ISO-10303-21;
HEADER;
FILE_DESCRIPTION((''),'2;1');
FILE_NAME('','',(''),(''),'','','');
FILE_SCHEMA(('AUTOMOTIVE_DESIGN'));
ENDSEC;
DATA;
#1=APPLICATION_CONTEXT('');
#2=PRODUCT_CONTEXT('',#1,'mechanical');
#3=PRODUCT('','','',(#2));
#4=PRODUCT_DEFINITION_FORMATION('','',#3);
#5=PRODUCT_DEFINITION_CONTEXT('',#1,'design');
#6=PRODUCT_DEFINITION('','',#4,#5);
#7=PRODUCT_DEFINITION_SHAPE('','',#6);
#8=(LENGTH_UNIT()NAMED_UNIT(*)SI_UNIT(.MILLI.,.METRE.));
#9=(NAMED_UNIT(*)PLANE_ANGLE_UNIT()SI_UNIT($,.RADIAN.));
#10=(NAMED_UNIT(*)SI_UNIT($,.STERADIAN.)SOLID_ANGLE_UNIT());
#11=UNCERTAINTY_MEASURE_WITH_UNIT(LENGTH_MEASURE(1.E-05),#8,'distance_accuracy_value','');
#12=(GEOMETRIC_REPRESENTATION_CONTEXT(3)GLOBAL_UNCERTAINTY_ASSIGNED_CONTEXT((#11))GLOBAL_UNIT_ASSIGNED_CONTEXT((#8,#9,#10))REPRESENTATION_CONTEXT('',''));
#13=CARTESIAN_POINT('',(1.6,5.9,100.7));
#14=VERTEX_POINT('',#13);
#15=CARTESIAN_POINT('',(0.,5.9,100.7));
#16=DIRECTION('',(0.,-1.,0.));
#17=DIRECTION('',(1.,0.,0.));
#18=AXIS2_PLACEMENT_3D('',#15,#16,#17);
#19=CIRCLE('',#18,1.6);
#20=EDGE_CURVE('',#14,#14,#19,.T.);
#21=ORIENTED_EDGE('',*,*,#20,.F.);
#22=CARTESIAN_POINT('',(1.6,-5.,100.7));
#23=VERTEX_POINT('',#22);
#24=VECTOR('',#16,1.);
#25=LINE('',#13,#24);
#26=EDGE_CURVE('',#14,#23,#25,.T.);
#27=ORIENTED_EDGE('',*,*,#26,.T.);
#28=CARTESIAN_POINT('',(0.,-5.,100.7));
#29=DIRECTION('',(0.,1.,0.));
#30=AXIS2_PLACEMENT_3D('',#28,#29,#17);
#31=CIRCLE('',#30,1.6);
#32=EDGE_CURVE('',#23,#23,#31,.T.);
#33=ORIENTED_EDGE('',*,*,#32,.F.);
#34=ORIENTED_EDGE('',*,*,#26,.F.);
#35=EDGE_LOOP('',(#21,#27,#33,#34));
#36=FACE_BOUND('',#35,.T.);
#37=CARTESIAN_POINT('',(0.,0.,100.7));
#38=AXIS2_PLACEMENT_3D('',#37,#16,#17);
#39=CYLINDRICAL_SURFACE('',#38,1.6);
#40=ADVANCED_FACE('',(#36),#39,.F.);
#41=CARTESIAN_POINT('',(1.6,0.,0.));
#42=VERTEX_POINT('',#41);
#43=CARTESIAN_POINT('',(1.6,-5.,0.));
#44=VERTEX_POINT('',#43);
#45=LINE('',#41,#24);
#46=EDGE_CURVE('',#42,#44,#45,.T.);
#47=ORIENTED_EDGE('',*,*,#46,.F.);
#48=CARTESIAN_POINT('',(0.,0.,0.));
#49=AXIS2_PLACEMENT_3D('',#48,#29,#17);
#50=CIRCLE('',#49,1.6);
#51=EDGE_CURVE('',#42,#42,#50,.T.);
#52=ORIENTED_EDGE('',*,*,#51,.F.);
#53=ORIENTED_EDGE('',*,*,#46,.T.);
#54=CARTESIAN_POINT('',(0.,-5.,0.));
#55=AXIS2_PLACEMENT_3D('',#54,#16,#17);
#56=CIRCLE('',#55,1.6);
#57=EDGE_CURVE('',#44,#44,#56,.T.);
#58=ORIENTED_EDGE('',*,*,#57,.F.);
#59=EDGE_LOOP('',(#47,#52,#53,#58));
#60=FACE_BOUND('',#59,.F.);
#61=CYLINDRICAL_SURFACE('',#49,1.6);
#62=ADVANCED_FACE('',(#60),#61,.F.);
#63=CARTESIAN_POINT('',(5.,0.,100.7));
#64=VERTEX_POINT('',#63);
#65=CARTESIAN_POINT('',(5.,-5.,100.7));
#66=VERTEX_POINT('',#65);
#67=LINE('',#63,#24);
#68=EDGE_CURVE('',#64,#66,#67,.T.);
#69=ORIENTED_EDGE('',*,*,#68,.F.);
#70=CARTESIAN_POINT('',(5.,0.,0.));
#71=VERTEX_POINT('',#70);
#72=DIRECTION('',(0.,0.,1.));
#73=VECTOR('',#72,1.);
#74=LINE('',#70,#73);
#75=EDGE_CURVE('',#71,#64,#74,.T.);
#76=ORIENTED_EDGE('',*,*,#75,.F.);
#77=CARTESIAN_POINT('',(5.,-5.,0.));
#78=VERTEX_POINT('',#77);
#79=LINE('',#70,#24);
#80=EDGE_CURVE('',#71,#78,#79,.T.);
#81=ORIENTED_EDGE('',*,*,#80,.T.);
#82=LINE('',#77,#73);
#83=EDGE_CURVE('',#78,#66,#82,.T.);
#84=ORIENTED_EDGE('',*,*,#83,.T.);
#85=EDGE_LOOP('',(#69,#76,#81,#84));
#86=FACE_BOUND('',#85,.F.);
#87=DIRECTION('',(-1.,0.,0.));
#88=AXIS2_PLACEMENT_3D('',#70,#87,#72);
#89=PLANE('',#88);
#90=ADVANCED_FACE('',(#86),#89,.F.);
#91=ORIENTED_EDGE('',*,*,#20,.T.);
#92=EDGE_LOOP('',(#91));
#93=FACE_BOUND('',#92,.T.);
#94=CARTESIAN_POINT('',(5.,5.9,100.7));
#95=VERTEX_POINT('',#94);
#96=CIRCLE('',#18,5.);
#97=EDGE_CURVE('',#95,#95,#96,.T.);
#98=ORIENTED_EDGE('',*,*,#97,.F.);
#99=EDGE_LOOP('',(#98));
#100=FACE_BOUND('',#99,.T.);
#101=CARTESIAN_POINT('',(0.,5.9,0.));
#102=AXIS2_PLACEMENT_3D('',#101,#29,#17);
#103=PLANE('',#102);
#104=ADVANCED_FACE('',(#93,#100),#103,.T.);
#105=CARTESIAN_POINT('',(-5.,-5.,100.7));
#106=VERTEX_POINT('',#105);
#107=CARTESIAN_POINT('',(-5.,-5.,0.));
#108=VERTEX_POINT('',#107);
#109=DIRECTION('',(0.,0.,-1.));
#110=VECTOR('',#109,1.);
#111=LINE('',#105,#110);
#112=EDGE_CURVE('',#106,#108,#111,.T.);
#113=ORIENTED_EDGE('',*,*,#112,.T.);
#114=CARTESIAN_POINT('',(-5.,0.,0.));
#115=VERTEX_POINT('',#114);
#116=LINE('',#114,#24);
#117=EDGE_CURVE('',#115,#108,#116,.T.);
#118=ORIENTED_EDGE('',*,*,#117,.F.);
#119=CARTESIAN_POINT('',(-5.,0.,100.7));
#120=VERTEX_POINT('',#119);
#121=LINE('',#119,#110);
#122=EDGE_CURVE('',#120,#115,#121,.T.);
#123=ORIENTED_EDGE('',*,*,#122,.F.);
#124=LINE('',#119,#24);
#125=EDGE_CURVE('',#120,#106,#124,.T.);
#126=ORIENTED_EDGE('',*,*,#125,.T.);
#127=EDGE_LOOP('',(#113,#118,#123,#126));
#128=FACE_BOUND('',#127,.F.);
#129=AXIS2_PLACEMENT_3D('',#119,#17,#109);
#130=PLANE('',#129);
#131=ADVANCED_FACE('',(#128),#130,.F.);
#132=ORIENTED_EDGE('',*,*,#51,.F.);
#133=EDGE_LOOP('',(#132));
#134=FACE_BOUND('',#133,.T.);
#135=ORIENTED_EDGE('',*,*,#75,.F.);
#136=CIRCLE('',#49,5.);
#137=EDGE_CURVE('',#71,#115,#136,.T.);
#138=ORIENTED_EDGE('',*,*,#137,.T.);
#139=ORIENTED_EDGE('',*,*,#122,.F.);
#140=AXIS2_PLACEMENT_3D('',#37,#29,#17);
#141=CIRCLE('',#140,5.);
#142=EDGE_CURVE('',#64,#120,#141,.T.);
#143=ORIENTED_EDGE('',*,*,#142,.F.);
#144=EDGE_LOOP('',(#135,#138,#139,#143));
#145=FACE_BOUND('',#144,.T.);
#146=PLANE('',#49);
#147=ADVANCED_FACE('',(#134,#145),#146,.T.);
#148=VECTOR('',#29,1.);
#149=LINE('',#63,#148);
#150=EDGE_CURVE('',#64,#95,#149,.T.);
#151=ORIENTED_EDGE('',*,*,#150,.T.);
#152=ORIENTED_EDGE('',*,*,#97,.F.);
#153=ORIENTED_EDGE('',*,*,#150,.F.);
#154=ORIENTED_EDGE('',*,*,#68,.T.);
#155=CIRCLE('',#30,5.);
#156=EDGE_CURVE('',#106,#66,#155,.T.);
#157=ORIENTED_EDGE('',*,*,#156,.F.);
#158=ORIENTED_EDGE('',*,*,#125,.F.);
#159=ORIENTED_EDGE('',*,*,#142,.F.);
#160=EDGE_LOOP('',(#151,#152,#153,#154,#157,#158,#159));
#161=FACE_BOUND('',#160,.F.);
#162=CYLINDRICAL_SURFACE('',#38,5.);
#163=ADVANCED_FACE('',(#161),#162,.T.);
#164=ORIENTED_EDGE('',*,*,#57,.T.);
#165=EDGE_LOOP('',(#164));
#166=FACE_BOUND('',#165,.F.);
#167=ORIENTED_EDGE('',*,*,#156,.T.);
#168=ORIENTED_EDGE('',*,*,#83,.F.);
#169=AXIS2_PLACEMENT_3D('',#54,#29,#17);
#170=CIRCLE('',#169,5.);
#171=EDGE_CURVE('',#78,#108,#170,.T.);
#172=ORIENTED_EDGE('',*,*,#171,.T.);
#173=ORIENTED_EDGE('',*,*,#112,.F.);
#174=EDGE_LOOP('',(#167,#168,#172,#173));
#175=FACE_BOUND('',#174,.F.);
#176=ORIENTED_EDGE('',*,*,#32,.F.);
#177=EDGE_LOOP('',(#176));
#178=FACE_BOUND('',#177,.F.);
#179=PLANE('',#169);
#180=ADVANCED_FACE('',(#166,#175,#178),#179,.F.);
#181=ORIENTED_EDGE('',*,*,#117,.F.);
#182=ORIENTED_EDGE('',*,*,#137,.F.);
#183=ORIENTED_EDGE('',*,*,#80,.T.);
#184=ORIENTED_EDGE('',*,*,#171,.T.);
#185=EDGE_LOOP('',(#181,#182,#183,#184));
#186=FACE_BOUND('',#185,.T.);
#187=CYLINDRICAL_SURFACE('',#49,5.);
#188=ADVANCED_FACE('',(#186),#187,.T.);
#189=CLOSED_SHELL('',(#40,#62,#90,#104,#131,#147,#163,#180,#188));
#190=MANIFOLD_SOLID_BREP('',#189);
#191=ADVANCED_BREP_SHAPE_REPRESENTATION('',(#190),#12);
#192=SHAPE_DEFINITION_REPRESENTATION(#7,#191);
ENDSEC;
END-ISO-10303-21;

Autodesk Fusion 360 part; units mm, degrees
sketch "Sketch1" plane through (0, 0, 0) normal (0, 1, 0) x (1, 0, 0)
  circle A0 centre (0, 0) radius 5
  circle A1 centre (0, 0) radius 1.6
  line L0 (-5, 0) -> (5, 0)
  line L1 (5, 0) -> (5, -100.7)
  line L2 (5, -100.7) -> (-5, -100.7)
  line L3 (-5, -100.7) -> (-5, 0)
  circle A2 centre (0, -100.7) radius 5
  circle A3 centre (0, -100.7) radius 1.6
  dimension "d1" = 10
  dimension "d2" = 3.2
  dimension "d3" = 100.7
  dimension "d4" = 3.2
extrude "Extrude1" add sketch "Sketch1" along normal blind 5.9 contours L2 A2 A3 | L2 A2 A3
extrude "Extrude2" add sketch "Sketch1" against normal blind 5 contours A0 A1 L0 | A0 L1 L3 A2 | A0 A1 L0 | L2 A2 A3 | L2 A2 A3
equation "d3 = 106 mm - 20.3 mm + 15 mm"
